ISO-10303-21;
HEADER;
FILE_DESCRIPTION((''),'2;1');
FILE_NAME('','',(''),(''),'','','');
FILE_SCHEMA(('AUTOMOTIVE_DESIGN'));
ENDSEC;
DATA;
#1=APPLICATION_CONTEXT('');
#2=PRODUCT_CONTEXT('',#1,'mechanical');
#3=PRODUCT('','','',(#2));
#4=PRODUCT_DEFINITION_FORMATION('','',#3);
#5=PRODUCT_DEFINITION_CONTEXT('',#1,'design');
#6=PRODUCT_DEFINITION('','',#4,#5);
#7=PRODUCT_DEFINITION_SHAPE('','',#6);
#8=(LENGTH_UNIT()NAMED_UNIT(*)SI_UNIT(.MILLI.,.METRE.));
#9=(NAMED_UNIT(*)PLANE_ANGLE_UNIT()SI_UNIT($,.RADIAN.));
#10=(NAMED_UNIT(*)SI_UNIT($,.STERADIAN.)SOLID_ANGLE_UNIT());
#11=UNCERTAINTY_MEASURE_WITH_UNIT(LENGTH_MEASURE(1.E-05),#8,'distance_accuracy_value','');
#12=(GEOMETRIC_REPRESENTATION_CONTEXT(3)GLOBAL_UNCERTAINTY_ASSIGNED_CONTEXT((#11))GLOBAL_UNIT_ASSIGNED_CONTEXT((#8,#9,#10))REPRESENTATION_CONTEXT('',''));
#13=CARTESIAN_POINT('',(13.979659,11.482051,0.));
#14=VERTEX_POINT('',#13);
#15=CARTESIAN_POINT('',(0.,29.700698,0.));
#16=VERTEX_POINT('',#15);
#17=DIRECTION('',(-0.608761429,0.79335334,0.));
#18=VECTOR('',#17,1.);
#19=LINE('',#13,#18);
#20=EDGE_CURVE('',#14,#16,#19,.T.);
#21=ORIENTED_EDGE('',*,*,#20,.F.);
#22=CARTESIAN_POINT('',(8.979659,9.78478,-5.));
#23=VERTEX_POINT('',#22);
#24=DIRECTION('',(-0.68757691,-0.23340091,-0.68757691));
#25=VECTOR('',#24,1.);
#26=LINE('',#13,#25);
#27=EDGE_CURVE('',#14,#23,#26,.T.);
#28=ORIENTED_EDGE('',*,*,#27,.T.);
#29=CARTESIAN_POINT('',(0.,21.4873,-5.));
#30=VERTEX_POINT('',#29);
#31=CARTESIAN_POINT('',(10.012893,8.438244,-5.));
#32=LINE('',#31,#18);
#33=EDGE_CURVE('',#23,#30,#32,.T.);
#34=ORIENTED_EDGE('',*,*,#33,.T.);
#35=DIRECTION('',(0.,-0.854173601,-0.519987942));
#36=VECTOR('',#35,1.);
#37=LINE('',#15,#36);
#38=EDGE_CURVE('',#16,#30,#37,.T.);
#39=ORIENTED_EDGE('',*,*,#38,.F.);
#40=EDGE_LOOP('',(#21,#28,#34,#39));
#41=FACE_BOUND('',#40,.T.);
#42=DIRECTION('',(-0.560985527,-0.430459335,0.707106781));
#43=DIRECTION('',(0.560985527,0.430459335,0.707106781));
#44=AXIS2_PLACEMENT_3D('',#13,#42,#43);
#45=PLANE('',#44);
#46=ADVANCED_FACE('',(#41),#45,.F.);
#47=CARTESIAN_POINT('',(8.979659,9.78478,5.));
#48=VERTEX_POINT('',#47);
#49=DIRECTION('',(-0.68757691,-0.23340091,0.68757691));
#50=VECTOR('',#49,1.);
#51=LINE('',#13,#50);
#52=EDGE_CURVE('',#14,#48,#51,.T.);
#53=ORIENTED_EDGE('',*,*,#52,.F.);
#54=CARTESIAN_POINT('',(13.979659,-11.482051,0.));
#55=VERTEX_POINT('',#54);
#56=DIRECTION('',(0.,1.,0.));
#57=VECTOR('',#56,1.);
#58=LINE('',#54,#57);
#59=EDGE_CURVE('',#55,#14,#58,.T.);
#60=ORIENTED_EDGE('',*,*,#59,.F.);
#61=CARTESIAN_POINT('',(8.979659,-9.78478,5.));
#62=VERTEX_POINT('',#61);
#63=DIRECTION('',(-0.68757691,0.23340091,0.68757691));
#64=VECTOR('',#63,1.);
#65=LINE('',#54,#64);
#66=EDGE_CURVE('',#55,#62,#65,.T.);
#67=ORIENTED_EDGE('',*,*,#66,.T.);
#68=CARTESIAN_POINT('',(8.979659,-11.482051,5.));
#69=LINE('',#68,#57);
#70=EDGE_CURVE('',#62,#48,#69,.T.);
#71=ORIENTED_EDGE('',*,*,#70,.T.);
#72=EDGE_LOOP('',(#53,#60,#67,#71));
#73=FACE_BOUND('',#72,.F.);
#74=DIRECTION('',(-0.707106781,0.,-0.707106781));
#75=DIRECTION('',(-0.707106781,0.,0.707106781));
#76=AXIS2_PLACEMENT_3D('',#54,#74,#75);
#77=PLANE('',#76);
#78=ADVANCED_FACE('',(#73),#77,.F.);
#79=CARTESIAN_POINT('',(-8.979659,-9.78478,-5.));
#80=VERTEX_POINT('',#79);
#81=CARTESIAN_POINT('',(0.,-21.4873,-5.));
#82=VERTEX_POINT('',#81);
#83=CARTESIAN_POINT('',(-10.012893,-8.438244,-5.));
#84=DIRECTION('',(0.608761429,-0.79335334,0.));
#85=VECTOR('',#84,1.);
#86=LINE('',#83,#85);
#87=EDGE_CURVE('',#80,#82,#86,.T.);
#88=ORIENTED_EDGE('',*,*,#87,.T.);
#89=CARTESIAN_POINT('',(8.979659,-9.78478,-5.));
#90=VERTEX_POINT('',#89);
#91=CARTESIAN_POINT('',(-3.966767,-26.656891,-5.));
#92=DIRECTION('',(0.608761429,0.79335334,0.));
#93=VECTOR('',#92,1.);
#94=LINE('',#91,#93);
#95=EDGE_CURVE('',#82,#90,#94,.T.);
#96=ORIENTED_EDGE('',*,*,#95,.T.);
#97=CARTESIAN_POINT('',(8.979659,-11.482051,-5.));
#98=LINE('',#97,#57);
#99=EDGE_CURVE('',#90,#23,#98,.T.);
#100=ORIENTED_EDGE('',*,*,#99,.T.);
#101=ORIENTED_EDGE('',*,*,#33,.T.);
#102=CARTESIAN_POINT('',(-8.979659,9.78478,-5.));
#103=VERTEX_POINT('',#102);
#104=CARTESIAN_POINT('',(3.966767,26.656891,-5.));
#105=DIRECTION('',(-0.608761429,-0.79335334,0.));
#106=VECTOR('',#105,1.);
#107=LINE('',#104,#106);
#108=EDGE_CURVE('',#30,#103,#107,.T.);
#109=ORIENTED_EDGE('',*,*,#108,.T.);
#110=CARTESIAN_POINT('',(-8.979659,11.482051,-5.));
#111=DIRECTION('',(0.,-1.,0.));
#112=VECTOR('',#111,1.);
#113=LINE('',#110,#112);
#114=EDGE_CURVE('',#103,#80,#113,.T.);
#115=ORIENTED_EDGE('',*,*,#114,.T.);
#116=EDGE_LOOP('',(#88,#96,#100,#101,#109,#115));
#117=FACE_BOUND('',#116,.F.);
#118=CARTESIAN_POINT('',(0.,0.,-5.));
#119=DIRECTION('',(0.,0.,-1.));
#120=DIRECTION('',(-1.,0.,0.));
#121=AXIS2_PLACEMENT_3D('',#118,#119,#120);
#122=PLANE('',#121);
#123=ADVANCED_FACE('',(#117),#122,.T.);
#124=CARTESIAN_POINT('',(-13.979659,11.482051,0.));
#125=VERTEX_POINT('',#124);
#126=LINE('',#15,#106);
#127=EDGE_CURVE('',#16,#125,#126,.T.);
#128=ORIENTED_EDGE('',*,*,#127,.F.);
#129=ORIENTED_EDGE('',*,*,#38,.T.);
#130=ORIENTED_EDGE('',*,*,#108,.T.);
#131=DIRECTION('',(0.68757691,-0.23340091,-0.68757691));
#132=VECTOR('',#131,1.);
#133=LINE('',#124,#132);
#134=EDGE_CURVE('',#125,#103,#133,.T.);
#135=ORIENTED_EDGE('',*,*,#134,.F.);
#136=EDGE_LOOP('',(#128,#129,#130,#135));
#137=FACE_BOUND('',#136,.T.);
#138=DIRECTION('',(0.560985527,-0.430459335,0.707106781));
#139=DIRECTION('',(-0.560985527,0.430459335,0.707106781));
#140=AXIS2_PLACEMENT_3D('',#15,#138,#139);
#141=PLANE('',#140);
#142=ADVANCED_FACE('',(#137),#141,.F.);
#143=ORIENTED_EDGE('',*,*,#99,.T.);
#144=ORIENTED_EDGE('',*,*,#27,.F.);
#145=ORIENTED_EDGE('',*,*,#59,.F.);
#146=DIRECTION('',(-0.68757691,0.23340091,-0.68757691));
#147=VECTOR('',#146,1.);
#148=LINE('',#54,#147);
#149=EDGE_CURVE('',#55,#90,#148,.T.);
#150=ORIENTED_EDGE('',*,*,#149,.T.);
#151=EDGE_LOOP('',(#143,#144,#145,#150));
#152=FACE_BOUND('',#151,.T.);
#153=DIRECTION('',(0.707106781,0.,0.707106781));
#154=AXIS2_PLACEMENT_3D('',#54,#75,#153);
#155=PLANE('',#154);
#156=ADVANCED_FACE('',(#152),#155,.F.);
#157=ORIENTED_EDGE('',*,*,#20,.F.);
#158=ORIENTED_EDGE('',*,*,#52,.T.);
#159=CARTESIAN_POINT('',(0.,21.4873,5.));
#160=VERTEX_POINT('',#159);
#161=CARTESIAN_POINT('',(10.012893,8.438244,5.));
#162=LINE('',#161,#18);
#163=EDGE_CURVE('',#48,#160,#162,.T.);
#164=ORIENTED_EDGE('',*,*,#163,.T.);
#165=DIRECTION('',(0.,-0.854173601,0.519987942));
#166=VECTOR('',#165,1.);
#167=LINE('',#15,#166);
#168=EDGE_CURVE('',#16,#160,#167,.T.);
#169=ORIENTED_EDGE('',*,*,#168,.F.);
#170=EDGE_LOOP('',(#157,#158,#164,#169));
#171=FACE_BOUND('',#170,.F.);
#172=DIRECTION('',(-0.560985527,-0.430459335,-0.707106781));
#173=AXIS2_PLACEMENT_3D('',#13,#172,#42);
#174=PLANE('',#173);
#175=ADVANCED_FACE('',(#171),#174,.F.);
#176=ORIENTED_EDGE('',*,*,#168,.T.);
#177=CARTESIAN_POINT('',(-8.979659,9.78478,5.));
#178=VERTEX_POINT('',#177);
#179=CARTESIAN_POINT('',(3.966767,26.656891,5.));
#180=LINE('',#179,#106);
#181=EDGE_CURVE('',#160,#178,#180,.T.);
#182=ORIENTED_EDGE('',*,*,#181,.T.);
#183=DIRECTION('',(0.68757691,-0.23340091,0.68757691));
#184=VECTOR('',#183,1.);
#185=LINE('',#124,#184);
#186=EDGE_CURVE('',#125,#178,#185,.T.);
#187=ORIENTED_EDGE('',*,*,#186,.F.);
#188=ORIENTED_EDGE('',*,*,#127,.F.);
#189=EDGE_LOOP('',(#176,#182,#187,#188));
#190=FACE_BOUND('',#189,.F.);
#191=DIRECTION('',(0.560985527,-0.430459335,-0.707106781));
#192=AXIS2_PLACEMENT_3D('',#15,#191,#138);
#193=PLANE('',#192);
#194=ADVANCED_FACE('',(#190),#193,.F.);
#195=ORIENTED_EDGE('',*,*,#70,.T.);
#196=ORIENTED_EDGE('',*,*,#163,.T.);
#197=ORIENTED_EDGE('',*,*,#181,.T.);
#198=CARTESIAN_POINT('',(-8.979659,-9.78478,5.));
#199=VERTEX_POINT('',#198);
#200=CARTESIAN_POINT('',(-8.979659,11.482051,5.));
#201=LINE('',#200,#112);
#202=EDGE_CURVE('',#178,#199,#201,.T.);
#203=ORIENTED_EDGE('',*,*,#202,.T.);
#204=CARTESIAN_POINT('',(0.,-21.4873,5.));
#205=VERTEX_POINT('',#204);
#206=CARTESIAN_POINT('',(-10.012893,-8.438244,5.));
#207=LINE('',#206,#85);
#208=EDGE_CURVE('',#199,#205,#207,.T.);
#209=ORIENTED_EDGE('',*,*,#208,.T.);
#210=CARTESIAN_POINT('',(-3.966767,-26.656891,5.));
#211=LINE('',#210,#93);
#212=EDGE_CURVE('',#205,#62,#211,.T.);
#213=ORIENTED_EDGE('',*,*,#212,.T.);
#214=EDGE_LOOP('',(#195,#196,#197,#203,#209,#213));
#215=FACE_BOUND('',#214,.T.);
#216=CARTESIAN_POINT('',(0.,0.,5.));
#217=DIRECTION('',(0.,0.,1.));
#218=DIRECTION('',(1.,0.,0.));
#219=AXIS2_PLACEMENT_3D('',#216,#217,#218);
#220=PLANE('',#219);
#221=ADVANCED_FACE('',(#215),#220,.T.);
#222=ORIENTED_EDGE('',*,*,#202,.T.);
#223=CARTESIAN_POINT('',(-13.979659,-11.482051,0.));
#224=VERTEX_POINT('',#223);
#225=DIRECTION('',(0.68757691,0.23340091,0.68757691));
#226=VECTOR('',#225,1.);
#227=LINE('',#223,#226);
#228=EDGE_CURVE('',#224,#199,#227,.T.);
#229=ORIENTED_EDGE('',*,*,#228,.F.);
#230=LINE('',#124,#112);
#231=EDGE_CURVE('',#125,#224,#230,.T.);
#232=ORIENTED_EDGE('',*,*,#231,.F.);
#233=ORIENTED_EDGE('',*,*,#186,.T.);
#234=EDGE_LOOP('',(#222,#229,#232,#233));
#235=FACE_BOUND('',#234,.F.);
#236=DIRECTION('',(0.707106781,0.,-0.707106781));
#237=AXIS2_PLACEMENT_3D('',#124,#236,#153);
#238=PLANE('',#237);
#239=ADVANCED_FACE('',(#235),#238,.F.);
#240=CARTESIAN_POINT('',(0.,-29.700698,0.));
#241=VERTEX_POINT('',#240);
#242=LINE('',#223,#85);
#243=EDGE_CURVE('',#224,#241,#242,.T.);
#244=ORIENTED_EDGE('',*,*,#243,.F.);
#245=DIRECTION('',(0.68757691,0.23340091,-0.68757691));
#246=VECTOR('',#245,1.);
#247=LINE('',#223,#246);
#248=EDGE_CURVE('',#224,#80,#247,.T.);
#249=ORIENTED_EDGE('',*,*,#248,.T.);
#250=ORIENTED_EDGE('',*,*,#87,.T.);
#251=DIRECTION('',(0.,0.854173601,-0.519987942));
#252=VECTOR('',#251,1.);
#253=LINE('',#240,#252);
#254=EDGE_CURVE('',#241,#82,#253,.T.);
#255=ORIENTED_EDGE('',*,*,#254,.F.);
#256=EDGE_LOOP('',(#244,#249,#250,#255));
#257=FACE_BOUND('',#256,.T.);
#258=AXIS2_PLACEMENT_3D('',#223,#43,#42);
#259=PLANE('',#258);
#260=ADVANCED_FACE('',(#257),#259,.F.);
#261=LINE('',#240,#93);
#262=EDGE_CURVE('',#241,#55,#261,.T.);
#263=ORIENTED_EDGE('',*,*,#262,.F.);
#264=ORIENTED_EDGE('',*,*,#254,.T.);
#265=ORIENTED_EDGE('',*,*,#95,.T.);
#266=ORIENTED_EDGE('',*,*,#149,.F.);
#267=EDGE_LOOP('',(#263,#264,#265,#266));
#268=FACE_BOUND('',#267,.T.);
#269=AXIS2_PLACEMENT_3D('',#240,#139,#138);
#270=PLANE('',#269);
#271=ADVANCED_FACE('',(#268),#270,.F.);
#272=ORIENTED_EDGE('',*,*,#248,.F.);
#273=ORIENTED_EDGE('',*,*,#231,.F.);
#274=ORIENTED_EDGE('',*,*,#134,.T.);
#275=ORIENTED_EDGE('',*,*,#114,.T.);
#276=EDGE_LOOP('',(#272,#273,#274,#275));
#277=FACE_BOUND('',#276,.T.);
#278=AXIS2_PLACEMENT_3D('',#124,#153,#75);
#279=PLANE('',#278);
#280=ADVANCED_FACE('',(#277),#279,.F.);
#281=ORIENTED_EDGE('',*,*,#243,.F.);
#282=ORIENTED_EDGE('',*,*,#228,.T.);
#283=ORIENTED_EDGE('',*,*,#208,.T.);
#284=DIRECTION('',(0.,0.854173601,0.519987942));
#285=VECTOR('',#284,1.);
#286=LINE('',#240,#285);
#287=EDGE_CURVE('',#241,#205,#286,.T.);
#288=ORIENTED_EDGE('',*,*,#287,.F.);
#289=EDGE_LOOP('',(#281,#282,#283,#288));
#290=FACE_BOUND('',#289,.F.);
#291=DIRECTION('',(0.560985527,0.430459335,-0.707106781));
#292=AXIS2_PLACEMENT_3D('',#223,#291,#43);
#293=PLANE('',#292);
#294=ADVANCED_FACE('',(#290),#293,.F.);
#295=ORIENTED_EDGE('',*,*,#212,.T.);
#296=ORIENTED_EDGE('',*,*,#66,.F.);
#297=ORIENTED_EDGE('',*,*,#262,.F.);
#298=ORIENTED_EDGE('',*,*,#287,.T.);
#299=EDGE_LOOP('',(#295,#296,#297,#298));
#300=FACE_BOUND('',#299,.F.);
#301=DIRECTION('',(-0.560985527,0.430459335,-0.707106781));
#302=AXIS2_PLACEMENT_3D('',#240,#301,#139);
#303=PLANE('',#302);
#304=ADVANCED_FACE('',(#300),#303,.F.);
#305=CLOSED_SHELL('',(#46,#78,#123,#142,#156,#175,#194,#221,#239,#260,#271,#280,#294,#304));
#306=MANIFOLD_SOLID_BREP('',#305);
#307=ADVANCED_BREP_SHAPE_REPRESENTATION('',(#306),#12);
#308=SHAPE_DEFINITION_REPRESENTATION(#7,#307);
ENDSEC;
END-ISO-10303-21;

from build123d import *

# Parameters (mm, degrees)
F1_DEPTH = 5
F1_TAPER = 45


with BuildPart() as f1:
    # F0 (on Top) → F1 (new body)
    with BuildSketch(Plane.XY):
        Polygon((0, 29.7006979173), (-13.9796594971, 11.482050957), (-13.9796594971, -11.482050957), (0, -29.7006979173), (13.9796594971, -11.482050957), (13.9796594971, 11.482050957), align=None)
    extrude(amount=F1_DEPTH, taper=F1_TAPER)

    # F2: F1 across plane


with BuildPart() as f1_1:
    add(f1.part)
    add(f1.part.mirror(Plane.XY))


solid = f1_1.part
